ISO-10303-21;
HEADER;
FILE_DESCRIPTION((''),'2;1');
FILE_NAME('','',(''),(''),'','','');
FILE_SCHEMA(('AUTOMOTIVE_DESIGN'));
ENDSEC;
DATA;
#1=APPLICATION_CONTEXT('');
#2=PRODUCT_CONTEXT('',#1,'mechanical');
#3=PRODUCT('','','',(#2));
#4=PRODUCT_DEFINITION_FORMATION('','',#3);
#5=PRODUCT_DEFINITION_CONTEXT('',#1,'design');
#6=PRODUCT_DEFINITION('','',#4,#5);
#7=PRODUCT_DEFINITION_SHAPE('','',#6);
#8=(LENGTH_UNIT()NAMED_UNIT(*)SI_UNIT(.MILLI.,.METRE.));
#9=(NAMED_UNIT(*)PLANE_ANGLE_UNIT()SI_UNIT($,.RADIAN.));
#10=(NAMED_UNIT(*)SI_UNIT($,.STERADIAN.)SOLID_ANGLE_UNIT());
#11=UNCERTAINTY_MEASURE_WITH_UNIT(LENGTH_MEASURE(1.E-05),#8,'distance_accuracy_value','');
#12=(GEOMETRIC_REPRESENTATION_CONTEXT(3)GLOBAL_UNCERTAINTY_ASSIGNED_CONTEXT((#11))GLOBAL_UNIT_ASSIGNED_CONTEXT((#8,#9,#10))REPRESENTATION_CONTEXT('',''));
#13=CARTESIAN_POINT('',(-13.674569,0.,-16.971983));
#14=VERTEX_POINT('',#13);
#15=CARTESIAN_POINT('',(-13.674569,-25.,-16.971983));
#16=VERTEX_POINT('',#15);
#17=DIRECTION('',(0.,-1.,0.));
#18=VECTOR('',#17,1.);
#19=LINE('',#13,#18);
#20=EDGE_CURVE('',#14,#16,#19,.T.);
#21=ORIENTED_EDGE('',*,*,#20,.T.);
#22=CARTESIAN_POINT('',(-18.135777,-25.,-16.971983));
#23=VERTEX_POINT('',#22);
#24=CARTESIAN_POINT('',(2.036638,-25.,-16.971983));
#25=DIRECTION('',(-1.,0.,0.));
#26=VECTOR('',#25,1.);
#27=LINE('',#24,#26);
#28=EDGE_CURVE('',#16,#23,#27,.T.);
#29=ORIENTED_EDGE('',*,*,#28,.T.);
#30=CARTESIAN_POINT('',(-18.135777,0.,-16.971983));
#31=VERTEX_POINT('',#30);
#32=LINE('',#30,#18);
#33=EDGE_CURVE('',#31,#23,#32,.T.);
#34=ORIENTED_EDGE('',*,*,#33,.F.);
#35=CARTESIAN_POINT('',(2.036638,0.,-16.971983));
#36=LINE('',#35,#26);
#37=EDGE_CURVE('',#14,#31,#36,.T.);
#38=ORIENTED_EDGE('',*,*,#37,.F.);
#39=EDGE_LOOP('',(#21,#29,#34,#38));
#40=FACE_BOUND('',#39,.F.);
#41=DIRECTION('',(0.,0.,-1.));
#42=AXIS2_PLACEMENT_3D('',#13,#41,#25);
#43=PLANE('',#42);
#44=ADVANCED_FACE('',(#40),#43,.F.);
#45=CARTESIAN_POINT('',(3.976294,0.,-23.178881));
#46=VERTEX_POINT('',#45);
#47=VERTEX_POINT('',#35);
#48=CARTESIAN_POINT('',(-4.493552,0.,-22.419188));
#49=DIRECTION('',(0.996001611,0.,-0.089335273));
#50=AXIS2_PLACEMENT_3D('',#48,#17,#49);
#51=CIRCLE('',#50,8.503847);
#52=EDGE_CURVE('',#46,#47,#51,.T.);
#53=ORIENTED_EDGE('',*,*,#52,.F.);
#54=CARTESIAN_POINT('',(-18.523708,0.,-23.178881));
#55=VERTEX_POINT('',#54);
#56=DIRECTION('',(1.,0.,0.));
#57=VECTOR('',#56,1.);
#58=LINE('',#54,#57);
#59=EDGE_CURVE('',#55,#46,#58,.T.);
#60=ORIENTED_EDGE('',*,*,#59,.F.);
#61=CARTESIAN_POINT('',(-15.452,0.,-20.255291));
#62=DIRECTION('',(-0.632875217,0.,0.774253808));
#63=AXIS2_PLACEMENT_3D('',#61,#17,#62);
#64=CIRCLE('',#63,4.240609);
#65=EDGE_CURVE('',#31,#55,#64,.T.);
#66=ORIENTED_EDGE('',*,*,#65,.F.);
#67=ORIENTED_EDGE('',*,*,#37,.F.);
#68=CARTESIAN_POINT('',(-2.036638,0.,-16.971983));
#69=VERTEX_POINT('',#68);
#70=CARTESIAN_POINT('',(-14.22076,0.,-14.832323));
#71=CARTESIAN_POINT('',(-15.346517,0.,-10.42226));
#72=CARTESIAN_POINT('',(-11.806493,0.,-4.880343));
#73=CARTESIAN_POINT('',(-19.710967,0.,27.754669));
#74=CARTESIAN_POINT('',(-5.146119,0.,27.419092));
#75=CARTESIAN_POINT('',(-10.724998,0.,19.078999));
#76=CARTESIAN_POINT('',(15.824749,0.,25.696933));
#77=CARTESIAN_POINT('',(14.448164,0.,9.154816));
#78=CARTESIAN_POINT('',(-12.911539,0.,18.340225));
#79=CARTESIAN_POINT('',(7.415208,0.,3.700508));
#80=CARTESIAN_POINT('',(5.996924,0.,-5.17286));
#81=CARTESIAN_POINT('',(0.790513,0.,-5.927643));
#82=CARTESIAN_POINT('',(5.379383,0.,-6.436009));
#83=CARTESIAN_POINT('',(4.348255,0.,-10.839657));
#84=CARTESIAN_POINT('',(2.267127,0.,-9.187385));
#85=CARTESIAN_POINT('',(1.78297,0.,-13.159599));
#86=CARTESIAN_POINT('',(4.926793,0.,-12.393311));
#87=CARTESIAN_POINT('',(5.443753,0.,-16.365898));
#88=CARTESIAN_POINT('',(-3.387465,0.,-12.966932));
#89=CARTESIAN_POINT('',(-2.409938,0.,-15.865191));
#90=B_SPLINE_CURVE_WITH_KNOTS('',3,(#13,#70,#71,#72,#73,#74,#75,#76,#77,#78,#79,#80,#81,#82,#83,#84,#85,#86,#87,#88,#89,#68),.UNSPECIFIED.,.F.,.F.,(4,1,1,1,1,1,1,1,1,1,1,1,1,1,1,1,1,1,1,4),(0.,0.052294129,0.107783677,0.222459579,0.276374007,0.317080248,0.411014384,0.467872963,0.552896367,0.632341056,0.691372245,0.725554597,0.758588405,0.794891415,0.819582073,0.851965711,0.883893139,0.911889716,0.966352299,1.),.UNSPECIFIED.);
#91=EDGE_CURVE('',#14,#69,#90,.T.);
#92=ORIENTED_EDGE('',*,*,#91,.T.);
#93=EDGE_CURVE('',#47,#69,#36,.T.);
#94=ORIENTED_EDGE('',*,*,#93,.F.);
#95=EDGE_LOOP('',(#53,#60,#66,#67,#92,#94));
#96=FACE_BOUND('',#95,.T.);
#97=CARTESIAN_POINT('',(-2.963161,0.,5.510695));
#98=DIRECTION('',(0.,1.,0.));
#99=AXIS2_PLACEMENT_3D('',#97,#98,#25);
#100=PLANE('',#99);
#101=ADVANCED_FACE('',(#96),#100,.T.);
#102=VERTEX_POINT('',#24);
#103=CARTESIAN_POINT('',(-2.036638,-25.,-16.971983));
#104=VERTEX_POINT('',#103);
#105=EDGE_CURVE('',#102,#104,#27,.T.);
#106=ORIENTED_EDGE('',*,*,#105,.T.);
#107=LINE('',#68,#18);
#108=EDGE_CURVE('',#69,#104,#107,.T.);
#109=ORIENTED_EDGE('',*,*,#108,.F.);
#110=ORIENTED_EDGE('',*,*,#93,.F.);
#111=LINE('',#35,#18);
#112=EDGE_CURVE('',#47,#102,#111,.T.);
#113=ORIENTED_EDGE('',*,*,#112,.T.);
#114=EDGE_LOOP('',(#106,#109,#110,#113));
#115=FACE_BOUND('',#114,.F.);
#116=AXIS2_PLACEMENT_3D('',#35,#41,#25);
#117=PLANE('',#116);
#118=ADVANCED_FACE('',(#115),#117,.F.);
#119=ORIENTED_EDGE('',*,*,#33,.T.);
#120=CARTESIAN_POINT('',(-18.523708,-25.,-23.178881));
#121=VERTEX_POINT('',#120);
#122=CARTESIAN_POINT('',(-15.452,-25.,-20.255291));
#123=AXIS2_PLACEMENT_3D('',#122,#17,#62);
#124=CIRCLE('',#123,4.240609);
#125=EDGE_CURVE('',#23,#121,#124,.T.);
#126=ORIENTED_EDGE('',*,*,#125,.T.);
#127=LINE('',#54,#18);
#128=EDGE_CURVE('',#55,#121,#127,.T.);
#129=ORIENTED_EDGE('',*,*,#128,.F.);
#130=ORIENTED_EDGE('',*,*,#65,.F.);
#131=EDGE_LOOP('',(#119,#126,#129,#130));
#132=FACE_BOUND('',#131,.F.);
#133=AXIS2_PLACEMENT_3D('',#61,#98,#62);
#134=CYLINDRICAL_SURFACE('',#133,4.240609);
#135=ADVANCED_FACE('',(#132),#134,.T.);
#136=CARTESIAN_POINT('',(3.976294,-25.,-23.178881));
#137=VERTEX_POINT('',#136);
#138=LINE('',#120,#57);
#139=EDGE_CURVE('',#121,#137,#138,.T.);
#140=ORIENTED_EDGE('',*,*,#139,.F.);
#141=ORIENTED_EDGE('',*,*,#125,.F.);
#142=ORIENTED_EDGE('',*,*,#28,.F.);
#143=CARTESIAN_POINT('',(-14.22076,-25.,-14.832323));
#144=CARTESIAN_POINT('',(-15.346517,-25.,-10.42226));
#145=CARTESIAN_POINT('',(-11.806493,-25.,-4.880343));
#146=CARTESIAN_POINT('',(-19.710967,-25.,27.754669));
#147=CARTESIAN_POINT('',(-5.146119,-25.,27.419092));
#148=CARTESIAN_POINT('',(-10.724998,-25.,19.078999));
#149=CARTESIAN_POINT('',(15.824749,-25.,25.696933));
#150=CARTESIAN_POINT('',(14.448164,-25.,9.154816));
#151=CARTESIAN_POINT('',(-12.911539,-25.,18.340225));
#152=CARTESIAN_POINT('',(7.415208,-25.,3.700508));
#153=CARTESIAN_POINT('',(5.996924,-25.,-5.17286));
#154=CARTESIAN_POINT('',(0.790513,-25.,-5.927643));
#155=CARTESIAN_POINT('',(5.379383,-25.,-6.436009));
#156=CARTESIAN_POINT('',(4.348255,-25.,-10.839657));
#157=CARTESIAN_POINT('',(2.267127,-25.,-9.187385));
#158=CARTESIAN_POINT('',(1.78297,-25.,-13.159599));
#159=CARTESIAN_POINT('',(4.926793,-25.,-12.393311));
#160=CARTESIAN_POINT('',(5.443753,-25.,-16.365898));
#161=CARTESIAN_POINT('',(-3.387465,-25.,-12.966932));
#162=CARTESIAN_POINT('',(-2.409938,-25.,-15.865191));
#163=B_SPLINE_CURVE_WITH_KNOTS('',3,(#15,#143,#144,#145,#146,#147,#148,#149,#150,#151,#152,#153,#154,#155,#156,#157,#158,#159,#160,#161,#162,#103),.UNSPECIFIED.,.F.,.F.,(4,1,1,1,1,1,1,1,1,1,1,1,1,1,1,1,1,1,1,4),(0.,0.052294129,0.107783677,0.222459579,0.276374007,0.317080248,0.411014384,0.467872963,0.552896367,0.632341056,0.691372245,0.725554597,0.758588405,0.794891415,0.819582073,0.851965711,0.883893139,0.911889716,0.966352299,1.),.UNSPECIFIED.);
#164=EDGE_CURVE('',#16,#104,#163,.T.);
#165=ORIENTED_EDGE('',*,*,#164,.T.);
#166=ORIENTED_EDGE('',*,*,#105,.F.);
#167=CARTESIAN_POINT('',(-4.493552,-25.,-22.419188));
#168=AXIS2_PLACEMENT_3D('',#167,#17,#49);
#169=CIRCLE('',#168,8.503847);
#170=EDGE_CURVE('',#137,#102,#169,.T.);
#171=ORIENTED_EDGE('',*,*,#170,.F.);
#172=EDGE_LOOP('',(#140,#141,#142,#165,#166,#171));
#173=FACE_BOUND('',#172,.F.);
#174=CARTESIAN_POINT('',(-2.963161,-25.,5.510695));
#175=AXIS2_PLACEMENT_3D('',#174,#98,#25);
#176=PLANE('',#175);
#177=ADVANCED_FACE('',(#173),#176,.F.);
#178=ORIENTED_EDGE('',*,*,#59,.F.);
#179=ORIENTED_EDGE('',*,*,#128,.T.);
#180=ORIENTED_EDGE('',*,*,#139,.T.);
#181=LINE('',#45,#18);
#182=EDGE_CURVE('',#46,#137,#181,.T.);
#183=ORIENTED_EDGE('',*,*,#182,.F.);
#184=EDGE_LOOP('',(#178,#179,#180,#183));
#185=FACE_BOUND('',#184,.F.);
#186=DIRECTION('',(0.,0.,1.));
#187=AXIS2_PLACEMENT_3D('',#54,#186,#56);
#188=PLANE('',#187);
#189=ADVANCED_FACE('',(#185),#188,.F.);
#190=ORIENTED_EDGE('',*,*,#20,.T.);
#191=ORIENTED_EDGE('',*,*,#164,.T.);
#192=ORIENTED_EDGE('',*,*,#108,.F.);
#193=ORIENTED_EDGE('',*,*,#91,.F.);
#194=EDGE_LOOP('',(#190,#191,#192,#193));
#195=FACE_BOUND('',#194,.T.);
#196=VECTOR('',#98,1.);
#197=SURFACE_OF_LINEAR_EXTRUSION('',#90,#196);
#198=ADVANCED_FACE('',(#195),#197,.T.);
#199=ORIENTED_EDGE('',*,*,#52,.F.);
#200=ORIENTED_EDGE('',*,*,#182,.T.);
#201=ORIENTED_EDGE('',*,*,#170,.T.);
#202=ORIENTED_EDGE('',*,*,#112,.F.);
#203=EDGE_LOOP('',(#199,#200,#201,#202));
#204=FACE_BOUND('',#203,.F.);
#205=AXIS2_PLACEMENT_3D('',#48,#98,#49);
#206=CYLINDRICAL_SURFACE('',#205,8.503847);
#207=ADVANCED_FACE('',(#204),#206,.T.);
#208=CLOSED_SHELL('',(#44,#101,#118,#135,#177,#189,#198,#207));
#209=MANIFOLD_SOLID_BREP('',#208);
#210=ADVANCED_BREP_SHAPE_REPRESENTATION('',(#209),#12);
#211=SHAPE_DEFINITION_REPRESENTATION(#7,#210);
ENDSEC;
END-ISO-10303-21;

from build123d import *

# Parameters (mm, degrees)
F1_DEPTH = 25


with BuildPart() as f1:
    # F0 (on Front) → F1 (new body)
    with BuildSketch(Plane.XZ):
        with BuildLine():
            add(Edge.make_bspline(
                [(-13.6745693162, -16.9719830155), (-14.2207603255, -14.832323174), (-15.3465172056, -10.4222601246), (-11.8064930446, -4.880343157), (-19.7109667315, 27.7546687901), (-5.1461186078, 27.419091852), (-10.7249980352, 19.0789989107), (15.8247491833, 25.6969328526), (14.4481639577, 9.1548162897), (-12.9115386823, 18.3402250091), (7.4152078599, 3.7005077867), (5.9969244512, -5.1728600392), (0.7905132093, -5.9276431522), (5.379382883, -6.436009308), (4.3482554482, -10.8396572747), (2.2671265864, -9.187384567), (1.7829704583, -13.1595985127), (4.9267927156, -12.3933106142), (5.4437526196, -16.3658976379), (-3.3874651855, -12.9669316645), (-2.4099380187, -15.8651909563), (-2.0366383251, -16.9719830155)],
                knots=[0, 0, 0, 0, 0.0522941289, 0.1077836772, 0.2224595794, 0.2763740068, 0.3170802477, 0.4110143842, 0.4678729629, 0.552896367, 0.6323410561, 0.691372245, 0.7255545974, 0.7585884053, 0.7948914149, 0.8195820734, 0.8519657114, 0.8838931386, 0.911889716, 0.9663522988, 1, 1, 1, 1], degree=3))
            Line((-13.6745693162, -16.9719830155), (-2.0366383251, -16.9719830155))
        make_face()
        with BuildLine():
            ThreePointArc((-18.1357767433, -16.9719830155), (-19.6843512773, -19.9907689424), (-18.5237079859, -23.1788810343))
            Line((-18.5237079859, -23.1788810343), (3.9762938395, -23.1788810343))
            ThreePointArc((3.9762938395, -23.1788810343), (3.6232002517, -19.8827026085), (2.0366383251, -16.9719830155))
            Line((2.0366383251, -16.9719830155), (-2.0366383251, -16.9719830155))
            Line((-2.0366383251, -16.9719830155), (-13.6745693162, -16.9719830155))
            Line((-13.6745693162, -16.9719830155), (-18.1357767433, -16.9719830155))
        make_face()
    extrude(amount=F1_DEPTH)


solid = f1.part
